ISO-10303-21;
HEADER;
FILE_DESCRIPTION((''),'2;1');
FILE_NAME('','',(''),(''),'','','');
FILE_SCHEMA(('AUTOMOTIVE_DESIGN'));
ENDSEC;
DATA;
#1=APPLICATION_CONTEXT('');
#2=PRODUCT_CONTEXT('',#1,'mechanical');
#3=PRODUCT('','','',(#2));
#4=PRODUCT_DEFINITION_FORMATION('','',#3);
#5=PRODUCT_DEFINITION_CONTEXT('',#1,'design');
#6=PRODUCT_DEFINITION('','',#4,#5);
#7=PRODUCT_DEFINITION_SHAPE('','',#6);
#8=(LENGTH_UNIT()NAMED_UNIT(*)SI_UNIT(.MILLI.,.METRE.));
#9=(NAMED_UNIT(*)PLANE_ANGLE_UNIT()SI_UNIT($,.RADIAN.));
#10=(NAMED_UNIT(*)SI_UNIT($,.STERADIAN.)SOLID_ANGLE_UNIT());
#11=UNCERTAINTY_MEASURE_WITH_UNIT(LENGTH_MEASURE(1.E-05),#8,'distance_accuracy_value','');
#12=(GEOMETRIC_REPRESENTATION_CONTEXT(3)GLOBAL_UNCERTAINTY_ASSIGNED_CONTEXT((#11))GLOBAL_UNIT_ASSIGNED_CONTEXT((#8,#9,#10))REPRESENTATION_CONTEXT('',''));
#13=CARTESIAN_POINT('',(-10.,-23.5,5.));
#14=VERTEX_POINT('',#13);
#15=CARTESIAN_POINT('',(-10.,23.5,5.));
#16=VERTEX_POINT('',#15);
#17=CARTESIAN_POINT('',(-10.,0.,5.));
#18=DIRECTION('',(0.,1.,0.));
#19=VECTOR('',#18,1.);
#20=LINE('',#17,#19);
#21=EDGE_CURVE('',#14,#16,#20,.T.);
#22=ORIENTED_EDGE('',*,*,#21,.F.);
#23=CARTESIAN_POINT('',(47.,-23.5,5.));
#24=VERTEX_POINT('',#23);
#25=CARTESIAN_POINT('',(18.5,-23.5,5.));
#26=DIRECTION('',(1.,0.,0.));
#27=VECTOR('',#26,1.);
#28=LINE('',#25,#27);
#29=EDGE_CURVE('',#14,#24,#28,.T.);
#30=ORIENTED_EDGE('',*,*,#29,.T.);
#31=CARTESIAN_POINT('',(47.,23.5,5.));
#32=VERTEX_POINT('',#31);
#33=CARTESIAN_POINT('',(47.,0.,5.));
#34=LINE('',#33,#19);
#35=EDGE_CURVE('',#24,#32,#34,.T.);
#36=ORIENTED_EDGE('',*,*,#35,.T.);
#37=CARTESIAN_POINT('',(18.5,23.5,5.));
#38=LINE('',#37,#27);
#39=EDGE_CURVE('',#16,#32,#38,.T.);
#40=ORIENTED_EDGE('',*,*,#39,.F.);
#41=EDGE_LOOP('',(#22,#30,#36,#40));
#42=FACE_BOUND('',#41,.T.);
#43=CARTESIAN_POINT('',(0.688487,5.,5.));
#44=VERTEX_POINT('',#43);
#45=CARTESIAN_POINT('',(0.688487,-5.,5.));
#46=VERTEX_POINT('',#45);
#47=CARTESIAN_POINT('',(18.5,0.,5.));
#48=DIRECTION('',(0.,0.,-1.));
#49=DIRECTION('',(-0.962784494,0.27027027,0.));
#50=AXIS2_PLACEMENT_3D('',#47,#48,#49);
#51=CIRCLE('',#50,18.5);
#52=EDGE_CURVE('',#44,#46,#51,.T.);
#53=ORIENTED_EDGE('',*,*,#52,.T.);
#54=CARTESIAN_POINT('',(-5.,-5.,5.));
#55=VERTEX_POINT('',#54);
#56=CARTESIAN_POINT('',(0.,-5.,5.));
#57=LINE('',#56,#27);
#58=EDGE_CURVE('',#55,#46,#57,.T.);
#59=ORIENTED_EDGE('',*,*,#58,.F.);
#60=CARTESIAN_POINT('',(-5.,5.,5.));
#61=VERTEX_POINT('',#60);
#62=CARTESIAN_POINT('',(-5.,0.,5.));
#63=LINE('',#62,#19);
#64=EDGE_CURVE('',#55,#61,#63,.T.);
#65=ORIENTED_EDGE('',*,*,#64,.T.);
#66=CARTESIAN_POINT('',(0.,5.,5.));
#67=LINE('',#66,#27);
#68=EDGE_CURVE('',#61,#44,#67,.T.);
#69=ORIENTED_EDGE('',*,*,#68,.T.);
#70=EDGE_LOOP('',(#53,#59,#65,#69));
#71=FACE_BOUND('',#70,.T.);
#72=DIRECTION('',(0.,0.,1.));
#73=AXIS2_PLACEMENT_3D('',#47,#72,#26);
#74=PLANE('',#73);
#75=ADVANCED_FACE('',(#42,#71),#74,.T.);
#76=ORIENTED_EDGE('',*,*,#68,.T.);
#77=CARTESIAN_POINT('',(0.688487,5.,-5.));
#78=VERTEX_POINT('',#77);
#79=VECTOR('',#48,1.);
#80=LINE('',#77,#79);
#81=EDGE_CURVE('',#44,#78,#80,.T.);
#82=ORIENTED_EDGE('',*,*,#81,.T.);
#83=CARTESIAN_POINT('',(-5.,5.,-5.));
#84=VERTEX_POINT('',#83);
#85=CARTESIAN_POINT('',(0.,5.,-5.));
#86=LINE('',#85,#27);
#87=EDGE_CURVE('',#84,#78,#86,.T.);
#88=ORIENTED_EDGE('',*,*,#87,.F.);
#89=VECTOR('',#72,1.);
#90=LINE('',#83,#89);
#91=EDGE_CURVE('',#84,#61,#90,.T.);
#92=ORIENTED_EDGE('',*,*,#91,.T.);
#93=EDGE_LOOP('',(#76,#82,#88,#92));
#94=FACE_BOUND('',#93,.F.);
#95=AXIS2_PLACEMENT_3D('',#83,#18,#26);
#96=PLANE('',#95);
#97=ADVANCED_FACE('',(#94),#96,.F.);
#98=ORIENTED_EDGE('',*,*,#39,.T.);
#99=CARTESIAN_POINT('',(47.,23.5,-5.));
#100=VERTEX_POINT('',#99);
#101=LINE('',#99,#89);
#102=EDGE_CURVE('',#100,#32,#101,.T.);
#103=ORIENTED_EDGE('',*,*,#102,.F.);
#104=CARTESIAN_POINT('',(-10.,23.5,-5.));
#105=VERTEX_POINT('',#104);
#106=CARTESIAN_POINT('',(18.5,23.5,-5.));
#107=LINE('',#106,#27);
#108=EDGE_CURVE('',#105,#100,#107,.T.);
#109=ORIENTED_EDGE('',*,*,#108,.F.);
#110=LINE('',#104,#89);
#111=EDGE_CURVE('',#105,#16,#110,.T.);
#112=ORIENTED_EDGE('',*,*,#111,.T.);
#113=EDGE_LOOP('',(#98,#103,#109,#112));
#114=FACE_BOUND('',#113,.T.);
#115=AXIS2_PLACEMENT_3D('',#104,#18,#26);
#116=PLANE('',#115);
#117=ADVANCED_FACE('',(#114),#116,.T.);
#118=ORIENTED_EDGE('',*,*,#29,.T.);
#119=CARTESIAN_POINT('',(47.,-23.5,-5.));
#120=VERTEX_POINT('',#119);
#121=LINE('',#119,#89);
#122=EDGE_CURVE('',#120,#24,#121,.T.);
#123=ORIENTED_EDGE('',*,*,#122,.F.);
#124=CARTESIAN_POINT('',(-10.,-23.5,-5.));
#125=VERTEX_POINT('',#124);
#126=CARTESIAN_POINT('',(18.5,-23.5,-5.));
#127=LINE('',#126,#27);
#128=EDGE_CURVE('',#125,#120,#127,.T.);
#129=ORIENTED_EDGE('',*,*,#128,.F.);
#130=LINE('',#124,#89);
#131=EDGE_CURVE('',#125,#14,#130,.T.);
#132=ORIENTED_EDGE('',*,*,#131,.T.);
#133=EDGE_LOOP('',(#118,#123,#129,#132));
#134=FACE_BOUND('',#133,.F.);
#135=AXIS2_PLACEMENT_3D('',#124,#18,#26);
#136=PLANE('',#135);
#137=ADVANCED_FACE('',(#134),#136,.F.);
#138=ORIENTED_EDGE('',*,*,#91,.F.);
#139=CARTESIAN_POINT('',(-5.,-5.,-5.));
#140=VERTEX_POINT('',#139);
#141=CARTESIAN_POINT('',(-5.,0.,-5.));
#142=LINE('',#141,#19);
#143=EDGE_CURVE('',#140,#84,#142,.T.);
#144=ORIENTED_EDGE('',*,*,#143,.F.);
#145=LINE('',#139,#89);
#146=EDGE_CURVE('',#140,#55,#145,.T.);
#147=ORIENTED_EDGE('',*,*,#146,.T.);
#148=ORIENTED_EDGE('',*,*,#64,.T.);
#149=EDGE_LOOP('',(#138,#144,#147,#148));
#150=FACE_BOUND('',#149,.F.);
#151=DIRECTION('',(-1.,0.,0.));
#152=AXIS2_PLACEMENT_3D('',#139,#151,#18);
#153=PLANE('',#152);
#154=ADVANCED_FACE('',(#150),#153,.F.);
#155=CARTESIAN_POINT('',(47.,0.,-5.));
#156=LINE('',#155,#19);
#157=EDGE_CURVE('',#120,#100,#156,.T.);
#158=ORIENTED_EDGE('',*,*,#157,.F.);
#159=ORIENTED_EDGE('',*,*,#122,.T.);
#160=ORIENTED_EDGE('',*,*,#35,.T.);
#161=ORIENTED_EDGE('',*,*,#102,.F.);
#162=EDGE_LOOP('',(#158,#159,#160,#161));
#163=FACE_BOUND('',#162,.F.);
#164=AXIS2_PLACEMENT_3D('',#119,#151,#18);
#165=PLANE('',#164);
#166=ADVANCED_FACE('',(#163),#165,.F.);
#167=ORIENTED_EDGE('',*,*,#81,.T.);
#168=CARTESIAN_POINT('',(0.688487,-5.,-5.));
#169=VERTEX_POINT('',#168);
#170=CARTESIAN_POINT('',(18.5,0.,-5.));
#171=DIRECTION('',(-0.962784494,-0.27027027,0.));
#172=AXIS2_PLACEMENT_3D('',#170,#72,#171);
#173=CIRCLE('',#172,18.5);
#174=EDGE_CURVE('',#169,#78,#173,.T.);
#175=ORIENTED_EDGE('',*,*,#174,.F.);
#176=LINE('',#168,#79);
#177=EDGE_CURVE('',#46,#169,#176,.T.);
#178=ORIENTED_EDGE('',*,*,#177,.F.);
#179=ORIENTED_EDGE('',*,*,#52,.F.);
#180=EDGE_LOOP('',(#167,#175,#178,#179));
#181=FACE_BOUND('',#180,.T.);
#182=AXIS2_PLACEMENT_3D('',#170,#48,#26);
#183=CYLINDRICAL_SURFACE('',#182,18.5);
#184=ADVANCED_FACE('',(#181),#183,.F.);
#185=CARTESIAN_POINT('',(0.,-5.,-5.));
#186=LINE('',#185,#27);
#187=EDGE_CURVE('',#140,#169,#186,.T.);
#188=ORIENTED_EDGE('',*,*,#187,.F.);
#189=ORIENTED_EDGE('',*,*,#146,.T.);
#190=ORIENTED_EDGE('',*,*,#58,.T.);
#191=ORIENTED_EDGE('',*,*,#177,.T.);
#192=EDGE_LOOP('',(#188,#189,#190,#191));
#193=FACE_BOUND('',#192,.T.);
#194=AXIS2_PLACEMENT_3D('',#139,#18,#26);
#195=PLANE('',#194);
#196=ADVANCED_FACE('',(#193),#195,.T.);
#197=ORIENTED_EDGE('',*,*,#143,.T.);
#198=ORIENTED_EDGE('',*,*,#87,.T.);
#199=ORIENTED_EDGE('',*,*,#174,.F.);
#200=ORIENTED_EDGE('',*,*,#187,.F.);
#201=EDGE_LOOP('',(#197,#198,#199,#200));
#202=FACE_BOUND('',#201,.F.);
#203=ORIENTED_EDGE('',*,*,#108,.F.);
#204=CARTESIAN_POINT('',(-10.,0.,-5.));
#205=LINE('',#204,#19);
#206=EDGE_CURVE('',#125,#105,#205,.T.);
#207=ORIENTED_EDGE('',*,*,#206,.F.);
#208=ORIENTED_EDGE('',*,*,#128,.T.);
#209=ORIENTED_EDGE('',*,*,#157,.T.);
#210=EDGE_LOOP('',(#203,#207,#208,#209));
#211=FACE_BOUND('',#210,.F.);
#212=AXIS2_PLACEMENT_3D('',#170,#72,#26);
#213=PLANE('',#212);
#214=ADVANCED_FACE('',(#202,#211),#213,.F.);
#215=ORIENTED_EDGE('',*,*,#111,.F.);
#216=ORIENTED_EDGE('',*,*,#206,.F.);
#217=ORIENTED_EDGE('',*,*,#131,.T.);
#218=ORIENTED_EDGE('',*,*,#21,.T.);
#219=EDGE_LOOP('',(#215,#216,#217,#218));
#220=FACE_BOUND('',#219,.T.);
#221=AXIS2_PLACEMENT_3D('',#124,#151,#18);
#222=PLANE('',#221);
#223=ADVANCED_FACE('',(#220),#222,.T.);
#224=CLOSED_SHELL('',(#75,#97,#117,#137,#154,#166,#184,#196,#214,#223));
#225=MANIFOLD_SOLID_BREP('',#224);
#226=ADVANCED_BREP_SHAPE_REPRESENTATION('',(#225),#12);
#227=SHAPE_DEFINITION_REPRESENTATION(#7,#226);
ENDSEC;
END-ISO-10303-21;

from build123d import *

# Parameters (mm, degrees)
CYLINDER_R     = 18.5
CYLINDER_DEPTH = 10
BOX001_W       = 10
BOX001_H       = 10
BOX001_DEPTH   = 10
BOX_W          = 57
BOX_H          = 47
BOX_DEPTH      = 10


with BuildPart() as cylinder:
    # Cylinder → Cylinder (new body)
    with BuildSketch(Plane(origin=(18.5, 0, -5), x_dir=(1, 0, 0), z_dir=(0, 0, 1))):
        Circle(CYLINDER_R)
    extrude(amount=CYLINDER_DEPTH)


with BuildPart() as fusion:
    # Box001 → Box001 (new body)
    with BuildSketch(Plane(origin=(-5, -5, -5), x_dir=(1, 0, 0), z_dir=(0, 0, 1))):
        with Locations((5, 5)):
            Rectangle(BOX001_W, BOX001_H)
    extrude(amount=BOX001_DEPTH)

    # Fusion: union Cylinder
    add(cylinder.part)


with BuildPart() as cut:
    # Box → Box (new body)
    with BuildSketch(Plane(origin=(-10, -23.5, -5), x_dir=(1, 0, 0), z_dir=(0, 0, 1))):
        with Locations((28.5, 23.5)):
            Rectangle(BOX_W, BOX_H)
    extrude(amount=BOX_DEPTH)

    # Cut: cut Fusion
    add(fusion.part, mode=Mode.SUBTRACT)


solid = cut.part
